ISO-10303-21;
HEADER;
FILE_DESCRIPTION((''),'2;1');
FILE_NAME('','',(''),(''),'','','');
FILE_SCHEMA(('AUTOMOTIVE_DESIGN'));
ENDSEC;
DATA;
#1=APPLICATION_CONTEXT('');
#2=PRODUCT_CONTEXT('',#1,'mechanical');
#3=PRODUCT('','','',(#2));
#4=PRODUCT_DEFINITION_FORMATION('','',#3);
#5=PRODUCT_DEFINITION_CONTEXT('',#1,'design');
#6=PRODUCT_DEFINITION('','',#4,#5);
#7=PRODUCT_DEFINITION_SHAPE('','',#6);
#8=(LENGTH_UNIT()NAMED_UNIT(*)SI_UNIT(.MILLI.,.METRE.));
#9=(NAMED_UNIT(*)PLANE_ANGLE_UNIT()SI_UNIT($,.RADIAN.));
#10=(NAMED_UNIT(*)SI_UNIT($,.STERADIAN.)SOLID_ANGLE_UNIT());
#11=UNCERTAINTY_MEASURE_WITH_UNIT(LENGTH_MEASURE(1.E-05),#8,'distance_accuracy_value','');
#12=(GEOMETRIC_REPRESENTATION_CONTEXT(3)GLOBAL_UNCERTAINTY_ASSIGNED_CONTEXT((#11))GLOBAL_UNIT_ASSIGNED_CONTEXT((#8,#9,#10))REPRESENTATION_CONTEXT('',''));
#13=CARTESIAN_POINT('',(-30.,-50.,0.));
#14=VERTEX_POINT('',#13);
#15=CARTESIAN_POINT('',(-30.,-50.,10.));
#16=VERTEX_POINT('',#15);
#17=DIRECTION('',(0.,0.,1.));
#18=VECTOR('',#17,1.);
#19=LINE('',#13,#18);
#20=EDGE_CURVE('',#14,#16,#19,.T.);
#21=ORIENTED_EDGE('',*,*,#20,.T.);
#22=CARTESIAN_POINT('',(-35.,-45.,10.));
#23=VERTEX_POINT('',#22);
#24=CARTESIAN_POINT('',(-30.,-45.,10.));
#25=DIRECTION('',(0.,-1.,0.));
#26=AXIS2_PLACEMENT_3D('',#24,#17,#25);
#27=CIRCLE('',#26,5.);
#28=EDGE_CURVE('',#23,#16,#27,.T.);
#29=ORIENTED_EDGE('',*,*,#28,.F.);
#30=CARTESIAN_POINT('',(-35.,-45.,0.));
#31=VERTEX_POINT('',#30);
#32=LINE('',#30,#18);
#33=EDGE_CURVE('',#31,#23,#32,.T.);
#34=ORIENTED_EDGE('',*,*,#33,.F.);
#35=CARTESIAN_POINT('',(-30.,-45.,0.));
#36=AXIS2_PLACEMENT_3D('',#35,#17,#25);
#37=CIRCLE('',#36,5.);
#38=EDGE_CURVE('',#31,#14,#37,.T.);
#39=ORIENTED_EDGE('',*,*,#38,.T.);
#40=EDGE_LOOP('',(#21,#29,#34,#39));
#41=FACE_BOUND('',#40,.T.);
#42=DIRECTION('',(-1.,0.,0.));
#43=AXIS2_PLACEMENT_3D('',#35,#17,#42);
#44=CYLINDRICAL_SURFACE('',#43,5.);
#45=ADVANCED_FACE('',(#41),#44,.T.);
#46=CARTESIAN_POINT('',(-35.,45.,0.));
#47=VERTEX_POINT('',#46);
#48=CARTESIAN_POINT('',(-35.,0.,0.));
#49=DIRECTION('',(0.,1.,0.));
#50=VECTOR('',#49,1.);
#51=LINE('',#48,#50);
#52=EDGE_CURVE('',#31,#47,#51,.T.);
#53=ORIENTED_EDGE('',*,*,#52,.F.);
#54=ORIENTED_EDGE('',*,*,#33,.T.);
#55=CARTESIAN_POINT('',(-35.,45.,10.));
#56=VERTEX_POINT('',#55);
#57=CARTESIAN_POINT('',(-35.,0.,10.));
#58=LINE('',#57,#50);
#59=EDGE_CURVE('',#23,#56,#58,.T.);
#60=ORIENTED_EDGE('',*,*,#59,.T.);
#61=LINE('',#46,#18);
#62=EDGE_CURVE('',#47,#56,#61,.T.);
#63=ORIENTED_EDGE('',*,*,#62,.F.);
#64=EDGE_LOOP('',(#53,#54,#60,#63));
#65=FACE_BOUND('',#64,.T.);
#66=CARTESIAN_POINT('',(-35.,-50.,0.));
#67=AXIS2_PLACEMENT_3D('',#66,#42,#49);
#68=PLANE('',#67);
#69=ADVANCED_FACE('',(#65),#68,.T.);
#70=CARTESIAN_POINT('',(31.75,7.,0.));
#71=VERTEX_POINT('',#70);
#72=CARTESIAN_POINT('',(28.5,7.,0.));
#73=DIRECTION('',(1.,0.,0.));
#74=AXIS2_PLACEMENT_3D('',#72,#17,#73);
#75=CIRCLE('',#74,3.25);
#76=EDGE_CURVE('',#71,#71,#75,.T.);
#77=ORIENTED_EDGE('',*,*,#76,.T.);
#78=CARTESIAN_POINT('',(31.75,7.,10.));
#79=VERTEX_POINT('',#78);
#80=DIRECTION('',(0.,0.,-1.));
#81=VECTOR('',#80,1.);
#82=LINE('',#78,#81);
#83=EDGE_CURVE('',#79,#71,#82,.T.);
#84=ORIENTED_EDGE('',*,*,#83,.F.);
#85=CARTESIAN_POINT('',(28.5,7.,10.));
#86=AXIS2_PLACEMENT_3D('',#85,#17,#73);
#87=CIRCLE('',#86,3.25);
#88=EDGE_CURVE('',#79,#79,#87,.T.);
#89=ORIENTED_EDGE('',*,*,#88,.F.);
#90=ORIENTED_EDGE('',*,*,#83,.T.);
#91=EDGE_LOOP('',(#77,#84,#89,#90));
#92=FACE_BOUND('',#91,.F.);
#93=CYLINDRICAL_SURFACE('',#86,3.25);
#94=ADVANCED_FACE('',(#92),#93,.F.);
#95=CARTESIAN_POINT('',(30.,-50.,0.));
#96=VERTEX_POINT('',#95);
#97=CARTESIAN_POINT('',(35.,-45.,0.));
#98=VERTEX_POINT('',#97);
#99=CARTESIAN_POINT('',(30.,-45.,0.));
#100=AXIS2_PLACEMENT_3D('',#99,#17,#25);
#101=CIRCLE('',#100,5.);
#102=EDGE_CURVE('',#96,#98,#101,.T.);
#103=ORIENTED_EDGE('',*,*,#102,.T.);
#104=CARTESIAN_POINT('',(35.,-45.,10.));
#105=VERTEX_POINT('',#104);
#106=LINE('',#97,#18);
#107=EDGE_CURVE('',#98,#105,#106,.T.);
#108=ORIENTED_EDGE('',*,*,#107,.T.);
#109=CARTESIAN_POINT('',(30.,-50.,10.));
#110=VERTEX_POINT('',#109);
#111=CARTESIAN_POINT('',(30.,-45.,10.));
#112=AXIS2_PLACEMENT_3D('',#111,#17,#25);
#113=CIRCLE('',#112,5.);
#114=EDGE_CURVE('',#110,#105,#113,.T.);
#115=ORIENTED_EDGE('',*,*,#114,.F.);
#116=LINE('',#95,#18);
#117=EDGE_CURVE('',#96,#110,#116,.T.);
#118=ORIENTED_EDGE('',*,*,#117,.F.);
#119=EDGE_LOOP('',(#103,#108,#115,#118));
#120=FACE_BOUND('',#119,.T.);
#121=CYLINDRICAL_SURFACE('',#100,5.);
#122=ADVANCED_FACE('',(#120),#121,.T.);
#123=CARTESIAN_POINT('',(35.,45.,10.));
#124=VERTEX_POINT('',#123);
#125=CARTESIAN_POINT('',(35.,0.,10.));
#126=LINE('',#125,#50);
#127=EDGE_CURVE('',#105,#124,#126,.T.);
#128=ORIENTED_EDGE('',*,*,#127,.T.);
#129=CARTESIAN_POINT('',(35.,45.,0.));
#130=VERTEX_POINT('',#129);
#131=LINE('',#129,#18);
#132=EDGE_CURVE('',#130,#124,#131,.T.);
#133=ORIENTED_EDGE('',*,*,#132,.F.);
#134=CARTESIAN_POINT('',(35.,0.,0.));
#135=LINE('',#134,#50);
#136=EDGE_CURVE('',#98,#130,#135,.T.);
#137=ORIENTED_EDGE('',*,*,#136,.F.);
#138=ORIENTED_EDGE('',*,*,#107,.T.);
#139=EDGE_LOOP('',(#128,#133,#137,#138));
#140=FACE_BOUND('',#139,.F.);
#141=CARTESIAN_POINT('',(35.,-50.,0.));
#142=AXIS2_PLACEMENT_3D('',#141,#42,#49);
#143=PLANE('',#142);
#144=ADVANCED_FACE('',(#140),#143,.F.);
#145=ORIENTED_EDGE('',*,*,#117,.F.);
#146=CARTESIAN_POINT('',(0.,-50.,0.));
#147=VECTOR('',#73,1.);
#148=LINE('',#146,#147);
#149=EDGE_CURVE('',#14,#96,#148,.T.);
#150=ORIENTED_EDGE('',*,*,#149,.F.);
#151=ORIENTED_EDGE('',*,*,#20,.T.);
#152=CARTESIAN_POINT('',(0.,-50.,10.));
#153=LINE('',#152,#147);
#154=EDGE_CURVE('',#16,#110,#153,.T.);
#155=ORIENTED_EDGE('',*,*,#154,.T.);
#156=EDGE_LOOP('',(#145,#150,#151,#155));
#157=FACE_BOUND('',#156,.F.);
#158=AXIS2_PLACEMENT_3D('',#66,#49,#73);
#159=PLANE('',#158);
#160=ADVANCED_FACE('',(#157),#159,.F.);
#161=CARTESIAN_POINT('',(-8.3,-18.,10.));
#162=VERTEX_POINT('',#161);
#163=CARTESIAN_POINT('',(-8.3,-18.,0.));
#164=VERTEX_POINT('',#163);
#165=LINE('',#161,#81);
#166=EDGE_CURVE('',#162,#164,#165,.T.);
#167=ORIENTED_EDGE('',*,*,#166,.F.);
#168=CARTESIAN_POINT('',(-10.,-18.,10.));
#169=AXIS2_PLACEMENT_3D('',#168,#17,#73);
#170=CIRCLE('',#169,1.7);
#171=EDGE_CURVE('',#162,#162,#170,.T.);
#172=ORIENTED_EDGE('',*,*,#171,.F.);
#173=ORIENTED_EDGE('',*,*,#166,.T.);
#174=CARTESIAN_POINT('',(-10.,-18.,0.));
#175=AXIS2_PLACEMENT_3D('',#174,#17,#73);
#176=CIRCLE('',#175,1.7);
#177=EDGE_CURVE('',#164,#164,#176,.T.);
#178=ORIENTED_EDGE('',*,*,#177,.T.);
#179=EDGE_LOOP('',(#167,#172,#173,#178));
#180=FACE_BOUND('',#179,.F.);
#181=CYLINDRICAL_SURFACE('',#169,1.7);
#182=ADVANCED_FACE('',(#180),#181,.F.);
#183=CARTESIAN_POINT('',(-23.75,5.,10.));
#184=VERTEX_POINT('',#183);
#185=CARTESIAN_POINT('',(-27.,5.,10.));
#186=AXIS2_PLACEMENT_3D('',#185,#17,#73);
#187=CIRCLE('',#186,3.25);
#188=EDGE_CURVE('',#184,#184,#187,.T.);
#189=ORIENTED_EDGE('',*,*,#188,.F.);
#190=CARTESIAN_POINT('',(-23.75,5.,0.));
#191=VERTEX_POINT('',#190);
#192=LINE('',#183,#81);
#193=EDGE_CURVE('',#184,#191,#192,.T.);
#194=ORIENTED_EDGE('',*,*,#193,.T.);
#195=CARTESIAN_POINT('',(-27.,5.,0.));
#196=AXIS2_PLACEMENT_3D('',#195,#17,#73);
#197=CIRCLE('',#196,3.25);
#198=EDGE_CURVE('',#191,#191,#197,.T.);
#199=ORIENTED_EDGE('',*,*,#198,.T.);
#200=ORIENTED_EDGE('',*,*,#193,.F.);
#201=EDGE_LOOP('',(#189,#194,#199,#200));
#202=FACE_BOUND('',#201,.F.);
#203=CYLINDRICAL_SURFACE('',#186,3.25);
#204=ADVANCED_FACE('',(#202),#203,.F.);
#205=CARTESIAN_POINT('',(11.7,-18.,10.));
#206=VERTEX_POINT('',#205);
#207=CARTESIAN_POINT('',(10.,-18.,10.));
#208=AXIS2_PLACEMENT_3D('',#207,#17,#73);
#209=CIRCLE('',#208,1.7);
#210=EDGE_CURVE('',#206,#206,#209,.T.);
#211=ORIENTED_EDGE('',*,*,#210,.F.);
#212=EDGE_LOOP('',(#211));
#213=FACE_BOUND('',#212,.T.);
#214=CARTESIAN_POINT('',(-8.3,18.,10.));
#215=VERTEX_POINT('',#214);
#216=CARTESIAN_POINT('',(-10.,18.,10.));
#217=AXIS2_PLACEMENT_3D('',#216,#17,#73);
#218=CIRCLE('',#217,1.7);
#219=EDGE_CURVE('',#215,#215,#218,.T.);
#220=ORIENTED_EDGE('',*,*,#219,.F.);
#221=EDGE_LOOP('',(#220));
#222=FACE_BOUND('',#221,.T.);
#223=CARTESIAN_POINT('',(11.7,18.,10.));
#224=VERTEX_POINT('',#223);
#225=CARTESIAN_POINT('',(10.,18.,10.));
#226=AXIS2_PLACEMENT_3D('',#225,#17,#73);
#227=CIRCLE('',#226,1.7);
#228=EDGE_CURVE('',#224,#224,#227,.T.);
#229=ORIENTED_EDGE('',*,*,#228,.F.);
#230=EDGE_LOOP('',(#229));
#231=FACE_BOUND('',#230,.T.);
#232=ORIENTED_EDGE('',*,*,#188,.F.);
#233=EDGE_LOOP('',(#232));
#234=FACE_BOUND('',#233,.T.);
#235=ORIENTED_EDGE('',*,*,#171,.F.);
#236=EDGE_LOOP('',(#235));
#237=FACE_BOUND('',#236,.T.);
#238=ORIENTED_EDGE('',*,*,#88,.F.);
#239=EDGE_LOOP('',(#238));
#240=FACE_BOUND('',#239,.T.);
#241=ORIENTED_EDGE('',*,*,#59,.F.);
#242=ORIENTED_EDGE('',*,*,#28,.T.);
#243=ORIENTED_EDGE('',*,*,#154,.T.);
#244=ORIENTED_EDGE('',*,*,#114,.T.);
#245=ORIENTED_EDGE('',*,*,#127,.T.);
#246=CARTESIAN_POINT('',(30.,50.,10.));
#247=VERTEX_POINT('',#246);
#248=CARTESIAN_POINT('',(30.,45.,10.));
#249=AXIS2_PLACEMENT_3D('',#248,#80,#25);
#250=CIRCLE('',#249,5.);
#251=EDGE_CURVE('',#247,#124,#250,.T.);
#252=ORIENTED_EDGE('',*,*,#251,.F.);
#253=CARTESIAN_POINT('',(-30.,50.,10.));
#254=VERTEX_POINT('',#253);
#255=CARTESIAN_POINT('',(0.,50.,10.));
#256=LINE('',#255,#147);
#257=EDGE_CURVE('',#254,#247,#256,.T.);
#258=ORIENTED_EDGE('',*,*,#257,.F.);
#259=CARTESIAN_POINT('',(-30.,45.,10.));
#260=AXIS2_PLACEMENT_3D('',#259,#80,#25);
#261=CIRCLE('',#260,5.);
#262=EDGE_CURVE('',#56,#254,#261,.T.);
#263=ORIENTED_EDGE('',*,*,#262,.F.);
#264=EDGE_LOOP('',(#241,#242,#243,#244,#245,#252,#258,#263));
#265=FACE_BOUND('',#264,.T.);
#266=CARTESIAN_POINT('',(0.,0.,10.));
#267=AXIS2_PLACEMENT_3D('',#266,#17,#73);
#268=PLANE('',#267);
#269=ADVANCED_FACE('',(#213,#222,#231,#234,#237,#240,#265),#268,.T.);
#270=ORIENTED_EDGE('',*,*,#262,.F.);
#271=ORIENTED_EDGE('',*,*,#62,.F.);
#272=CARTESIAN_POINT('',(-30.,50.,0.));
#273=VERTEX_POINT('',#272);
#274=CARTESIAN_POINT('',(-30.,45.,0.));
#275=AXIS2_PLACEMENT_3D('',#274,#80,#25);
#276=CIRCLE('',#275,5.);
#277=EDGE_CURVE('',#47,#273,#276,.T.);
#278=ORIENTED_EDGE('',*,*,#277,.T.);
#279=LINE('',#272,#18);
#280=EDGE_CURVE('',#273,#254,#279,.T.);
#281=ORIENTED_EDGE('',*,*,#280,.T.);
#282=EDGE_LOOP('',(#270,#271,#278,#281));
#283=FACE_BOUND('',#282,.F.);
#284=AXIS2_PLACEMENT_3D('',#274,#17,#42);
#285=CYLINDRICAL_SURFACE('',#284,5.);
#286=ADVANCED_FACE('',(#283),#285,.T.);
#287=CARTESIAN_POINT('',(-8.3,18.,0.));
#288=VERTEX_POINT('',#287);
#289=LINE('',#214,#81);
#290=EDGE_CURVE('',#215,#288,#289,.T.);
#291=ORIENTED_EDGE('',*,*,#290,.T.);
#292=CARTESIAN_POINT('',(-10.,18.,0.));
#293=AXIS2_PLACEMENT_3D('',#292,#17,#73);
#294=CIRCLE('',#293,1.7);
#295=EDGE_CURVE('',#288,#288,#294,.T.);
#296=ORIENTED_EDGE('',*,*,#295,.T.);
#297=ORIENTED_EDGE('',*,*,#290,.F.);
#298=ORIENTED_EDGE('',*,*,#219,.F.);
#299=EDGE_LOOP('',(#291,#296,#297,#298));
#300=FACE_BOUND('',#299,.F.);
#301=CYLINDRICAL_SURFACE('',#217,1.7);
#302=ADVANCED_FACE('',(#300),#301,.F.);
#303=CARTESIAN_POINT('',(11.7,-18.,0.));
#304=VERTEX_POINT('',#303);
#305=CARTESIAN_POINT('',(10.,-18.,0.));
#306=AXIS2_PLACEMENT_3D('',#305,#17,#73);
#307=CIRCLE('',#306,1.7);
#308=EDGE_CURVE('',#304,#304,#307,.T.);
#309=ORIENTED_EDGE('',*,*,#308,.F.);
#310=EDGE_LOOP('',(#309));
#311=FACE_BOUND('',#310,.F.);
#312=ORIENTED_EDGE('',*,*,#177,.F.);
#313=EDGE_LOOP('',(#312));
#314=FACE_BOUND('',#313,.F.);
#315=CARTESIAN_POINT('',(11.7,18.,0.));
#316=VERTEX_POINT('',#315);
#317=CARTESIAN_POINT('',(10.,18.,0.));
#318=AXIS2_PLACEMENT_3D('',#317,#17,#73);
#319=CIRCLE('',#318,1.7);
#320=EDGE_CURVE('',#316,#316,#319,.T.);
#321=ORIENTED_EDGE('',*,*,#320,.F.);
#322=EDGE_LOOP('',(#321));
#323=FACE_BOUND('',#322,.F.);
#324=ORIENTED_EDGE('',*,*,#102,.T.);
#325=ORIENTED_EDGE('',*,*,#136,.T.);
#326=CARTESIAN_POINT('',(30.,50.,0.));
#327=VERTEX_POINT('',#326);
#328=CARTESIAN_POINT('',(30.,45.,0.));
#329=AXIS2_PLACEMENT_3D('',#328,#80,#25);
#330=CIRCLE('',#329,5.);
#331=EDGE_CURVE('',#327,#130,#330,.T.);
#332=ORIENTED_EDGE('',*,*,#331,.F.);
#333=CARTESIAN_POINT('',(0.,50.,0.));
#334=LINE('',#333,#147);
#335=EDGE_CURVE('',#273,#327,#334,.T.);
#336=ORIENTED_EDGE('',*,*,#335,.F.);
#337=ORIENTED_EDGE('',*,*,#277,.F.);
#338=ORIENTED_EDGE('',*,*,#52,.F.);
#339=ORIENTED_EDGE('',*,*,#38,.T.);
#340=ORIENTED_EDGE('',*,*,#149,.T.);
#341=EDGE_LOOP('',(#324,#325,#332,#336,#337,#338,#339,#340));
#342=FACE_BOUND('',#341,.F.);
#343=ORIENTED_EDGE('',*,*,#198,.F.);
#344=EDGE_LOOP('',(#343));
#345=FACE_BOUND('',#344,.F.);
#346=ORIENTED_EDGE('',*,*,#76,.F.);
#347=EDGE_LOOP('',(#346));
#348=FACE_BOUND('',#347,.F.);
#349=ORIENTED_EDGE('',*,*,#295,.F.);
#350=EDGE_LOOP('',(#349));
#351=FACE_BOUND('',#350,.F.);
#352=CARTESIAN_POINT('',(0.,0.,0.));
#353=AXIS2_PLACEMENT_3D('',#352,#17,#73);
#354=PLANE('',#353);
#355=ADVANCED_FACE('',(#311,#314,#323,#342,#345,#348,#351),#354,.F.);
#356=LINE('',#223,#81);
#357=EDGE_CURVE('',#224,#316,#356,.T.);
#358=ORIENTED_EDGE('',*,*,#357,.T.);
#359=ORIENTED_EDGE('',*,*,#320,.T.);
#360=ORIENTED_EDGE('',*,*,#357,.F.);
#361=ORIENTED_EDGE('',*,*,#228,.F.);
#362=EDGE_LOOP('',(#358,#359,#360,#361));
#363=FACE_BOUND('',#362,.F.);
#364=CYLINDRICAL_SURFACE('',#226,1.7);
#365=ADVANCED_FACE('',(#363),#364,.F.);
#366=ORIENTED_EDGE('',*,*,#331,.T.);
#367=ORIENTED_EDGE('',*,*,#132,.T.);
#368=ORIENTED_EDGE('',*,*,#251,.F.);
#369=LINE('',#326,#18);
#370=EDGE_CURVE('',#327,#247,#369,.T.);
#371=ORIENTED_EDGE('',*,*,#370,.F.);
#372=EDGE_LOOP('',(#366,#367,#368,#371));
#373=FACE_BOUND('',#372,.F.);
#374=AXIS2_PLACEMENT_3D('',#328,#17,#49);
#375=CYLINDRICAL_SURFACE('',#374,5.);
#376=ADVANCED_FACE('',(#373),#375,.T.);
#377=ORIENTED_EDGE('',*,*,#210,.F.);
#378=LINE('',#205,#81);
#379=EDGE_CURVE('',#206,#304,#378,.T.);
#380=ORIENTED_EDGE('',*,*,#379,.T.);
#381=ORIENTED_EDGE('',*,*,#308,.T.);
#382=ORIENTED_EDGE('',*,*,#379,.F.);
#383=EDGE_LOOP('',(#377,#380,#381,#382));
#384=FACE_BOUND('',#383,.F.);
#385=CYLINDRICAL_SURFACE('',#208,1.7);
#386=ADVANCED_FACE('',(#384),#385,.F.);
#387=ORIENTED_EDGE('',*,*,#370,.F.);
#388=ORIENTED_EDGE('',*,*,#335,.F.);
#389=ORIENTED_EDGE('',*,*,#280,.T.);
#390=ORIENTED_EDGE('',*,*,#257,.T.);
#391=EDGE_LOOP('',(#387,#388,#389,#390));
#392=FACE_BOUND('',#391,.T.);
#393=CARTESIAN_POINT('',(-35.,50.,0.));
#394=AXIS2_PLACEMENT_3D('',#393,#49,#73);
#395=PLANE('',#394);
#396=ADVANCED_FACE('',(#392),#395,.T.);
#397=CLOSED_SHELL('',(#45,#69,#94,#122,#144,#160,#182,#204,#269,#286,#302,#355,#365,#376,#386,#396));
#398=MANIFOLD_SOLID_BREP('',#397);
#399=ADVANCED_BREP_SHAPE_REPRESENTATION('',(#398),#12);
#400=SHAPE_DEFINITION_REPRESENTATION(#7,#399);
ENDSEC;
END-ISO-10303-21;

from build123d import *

# Parameters (mm, degrees)
SKETCH_W        = 70
SKETCH_H        = 100
PAD_DEPTH       = 10
SKETCH001_R     = 3.25
POCKET_DEPTH    = 10.001
SKETCH002_R     = 1.7
POCKET001_DEPTH = 10.001
FILLET_R        = 5


with BuildPart() as part:
    # Sketch → Pad (new body)
    with BuildSketch(Plane.XY):
        Rectangle(SKETCH_W, SKETCH_H)
    extrude(amount=PAD_DEPTH)

    # Sketch001 (on Face6 of Pad) → Pocket (cut, through all)
    with BuildSketch(Plane.XY.offset(10)):
        with Locations((-27, 5)):
            Circle(SKETCH001_R)
        with Locations((28.5, 7)):
            Circle(SKETCH001_R)
    extrude(amount=-POCKET_DEPTH, mode=Mode.SUBTRACT)

    # Sketch002 (on Face5 of Pocket) → Pocket001 (cut, through all)
    with BuildSketch(Plane.XY.offset(10)):
        with Locations((-10, 18)):
            Circle(SKETCH002_R)
        with Locations((10, 18)):
            Circle(SKETCH002_R)
        with Locations((10, -18)):
            Circle(SKETCH002_R)
        with Locations((-10, -18)):
            Circle(SKETCH002_R)
    extrude(amount=-POCKET001_DEPTH, mode=Mode.SUBTRACT)

    # Fillet
    fillet_edges = [part.edges().sort_by_distance(p)[0] for p in [
        (35, -50, 5),
        (-35, -50, 5),
        (35, 50, 5),
        (-35, 50, 5),
    ]]
    fillet(fillet_edges, radius=FILLET_R)


solid = part.part
